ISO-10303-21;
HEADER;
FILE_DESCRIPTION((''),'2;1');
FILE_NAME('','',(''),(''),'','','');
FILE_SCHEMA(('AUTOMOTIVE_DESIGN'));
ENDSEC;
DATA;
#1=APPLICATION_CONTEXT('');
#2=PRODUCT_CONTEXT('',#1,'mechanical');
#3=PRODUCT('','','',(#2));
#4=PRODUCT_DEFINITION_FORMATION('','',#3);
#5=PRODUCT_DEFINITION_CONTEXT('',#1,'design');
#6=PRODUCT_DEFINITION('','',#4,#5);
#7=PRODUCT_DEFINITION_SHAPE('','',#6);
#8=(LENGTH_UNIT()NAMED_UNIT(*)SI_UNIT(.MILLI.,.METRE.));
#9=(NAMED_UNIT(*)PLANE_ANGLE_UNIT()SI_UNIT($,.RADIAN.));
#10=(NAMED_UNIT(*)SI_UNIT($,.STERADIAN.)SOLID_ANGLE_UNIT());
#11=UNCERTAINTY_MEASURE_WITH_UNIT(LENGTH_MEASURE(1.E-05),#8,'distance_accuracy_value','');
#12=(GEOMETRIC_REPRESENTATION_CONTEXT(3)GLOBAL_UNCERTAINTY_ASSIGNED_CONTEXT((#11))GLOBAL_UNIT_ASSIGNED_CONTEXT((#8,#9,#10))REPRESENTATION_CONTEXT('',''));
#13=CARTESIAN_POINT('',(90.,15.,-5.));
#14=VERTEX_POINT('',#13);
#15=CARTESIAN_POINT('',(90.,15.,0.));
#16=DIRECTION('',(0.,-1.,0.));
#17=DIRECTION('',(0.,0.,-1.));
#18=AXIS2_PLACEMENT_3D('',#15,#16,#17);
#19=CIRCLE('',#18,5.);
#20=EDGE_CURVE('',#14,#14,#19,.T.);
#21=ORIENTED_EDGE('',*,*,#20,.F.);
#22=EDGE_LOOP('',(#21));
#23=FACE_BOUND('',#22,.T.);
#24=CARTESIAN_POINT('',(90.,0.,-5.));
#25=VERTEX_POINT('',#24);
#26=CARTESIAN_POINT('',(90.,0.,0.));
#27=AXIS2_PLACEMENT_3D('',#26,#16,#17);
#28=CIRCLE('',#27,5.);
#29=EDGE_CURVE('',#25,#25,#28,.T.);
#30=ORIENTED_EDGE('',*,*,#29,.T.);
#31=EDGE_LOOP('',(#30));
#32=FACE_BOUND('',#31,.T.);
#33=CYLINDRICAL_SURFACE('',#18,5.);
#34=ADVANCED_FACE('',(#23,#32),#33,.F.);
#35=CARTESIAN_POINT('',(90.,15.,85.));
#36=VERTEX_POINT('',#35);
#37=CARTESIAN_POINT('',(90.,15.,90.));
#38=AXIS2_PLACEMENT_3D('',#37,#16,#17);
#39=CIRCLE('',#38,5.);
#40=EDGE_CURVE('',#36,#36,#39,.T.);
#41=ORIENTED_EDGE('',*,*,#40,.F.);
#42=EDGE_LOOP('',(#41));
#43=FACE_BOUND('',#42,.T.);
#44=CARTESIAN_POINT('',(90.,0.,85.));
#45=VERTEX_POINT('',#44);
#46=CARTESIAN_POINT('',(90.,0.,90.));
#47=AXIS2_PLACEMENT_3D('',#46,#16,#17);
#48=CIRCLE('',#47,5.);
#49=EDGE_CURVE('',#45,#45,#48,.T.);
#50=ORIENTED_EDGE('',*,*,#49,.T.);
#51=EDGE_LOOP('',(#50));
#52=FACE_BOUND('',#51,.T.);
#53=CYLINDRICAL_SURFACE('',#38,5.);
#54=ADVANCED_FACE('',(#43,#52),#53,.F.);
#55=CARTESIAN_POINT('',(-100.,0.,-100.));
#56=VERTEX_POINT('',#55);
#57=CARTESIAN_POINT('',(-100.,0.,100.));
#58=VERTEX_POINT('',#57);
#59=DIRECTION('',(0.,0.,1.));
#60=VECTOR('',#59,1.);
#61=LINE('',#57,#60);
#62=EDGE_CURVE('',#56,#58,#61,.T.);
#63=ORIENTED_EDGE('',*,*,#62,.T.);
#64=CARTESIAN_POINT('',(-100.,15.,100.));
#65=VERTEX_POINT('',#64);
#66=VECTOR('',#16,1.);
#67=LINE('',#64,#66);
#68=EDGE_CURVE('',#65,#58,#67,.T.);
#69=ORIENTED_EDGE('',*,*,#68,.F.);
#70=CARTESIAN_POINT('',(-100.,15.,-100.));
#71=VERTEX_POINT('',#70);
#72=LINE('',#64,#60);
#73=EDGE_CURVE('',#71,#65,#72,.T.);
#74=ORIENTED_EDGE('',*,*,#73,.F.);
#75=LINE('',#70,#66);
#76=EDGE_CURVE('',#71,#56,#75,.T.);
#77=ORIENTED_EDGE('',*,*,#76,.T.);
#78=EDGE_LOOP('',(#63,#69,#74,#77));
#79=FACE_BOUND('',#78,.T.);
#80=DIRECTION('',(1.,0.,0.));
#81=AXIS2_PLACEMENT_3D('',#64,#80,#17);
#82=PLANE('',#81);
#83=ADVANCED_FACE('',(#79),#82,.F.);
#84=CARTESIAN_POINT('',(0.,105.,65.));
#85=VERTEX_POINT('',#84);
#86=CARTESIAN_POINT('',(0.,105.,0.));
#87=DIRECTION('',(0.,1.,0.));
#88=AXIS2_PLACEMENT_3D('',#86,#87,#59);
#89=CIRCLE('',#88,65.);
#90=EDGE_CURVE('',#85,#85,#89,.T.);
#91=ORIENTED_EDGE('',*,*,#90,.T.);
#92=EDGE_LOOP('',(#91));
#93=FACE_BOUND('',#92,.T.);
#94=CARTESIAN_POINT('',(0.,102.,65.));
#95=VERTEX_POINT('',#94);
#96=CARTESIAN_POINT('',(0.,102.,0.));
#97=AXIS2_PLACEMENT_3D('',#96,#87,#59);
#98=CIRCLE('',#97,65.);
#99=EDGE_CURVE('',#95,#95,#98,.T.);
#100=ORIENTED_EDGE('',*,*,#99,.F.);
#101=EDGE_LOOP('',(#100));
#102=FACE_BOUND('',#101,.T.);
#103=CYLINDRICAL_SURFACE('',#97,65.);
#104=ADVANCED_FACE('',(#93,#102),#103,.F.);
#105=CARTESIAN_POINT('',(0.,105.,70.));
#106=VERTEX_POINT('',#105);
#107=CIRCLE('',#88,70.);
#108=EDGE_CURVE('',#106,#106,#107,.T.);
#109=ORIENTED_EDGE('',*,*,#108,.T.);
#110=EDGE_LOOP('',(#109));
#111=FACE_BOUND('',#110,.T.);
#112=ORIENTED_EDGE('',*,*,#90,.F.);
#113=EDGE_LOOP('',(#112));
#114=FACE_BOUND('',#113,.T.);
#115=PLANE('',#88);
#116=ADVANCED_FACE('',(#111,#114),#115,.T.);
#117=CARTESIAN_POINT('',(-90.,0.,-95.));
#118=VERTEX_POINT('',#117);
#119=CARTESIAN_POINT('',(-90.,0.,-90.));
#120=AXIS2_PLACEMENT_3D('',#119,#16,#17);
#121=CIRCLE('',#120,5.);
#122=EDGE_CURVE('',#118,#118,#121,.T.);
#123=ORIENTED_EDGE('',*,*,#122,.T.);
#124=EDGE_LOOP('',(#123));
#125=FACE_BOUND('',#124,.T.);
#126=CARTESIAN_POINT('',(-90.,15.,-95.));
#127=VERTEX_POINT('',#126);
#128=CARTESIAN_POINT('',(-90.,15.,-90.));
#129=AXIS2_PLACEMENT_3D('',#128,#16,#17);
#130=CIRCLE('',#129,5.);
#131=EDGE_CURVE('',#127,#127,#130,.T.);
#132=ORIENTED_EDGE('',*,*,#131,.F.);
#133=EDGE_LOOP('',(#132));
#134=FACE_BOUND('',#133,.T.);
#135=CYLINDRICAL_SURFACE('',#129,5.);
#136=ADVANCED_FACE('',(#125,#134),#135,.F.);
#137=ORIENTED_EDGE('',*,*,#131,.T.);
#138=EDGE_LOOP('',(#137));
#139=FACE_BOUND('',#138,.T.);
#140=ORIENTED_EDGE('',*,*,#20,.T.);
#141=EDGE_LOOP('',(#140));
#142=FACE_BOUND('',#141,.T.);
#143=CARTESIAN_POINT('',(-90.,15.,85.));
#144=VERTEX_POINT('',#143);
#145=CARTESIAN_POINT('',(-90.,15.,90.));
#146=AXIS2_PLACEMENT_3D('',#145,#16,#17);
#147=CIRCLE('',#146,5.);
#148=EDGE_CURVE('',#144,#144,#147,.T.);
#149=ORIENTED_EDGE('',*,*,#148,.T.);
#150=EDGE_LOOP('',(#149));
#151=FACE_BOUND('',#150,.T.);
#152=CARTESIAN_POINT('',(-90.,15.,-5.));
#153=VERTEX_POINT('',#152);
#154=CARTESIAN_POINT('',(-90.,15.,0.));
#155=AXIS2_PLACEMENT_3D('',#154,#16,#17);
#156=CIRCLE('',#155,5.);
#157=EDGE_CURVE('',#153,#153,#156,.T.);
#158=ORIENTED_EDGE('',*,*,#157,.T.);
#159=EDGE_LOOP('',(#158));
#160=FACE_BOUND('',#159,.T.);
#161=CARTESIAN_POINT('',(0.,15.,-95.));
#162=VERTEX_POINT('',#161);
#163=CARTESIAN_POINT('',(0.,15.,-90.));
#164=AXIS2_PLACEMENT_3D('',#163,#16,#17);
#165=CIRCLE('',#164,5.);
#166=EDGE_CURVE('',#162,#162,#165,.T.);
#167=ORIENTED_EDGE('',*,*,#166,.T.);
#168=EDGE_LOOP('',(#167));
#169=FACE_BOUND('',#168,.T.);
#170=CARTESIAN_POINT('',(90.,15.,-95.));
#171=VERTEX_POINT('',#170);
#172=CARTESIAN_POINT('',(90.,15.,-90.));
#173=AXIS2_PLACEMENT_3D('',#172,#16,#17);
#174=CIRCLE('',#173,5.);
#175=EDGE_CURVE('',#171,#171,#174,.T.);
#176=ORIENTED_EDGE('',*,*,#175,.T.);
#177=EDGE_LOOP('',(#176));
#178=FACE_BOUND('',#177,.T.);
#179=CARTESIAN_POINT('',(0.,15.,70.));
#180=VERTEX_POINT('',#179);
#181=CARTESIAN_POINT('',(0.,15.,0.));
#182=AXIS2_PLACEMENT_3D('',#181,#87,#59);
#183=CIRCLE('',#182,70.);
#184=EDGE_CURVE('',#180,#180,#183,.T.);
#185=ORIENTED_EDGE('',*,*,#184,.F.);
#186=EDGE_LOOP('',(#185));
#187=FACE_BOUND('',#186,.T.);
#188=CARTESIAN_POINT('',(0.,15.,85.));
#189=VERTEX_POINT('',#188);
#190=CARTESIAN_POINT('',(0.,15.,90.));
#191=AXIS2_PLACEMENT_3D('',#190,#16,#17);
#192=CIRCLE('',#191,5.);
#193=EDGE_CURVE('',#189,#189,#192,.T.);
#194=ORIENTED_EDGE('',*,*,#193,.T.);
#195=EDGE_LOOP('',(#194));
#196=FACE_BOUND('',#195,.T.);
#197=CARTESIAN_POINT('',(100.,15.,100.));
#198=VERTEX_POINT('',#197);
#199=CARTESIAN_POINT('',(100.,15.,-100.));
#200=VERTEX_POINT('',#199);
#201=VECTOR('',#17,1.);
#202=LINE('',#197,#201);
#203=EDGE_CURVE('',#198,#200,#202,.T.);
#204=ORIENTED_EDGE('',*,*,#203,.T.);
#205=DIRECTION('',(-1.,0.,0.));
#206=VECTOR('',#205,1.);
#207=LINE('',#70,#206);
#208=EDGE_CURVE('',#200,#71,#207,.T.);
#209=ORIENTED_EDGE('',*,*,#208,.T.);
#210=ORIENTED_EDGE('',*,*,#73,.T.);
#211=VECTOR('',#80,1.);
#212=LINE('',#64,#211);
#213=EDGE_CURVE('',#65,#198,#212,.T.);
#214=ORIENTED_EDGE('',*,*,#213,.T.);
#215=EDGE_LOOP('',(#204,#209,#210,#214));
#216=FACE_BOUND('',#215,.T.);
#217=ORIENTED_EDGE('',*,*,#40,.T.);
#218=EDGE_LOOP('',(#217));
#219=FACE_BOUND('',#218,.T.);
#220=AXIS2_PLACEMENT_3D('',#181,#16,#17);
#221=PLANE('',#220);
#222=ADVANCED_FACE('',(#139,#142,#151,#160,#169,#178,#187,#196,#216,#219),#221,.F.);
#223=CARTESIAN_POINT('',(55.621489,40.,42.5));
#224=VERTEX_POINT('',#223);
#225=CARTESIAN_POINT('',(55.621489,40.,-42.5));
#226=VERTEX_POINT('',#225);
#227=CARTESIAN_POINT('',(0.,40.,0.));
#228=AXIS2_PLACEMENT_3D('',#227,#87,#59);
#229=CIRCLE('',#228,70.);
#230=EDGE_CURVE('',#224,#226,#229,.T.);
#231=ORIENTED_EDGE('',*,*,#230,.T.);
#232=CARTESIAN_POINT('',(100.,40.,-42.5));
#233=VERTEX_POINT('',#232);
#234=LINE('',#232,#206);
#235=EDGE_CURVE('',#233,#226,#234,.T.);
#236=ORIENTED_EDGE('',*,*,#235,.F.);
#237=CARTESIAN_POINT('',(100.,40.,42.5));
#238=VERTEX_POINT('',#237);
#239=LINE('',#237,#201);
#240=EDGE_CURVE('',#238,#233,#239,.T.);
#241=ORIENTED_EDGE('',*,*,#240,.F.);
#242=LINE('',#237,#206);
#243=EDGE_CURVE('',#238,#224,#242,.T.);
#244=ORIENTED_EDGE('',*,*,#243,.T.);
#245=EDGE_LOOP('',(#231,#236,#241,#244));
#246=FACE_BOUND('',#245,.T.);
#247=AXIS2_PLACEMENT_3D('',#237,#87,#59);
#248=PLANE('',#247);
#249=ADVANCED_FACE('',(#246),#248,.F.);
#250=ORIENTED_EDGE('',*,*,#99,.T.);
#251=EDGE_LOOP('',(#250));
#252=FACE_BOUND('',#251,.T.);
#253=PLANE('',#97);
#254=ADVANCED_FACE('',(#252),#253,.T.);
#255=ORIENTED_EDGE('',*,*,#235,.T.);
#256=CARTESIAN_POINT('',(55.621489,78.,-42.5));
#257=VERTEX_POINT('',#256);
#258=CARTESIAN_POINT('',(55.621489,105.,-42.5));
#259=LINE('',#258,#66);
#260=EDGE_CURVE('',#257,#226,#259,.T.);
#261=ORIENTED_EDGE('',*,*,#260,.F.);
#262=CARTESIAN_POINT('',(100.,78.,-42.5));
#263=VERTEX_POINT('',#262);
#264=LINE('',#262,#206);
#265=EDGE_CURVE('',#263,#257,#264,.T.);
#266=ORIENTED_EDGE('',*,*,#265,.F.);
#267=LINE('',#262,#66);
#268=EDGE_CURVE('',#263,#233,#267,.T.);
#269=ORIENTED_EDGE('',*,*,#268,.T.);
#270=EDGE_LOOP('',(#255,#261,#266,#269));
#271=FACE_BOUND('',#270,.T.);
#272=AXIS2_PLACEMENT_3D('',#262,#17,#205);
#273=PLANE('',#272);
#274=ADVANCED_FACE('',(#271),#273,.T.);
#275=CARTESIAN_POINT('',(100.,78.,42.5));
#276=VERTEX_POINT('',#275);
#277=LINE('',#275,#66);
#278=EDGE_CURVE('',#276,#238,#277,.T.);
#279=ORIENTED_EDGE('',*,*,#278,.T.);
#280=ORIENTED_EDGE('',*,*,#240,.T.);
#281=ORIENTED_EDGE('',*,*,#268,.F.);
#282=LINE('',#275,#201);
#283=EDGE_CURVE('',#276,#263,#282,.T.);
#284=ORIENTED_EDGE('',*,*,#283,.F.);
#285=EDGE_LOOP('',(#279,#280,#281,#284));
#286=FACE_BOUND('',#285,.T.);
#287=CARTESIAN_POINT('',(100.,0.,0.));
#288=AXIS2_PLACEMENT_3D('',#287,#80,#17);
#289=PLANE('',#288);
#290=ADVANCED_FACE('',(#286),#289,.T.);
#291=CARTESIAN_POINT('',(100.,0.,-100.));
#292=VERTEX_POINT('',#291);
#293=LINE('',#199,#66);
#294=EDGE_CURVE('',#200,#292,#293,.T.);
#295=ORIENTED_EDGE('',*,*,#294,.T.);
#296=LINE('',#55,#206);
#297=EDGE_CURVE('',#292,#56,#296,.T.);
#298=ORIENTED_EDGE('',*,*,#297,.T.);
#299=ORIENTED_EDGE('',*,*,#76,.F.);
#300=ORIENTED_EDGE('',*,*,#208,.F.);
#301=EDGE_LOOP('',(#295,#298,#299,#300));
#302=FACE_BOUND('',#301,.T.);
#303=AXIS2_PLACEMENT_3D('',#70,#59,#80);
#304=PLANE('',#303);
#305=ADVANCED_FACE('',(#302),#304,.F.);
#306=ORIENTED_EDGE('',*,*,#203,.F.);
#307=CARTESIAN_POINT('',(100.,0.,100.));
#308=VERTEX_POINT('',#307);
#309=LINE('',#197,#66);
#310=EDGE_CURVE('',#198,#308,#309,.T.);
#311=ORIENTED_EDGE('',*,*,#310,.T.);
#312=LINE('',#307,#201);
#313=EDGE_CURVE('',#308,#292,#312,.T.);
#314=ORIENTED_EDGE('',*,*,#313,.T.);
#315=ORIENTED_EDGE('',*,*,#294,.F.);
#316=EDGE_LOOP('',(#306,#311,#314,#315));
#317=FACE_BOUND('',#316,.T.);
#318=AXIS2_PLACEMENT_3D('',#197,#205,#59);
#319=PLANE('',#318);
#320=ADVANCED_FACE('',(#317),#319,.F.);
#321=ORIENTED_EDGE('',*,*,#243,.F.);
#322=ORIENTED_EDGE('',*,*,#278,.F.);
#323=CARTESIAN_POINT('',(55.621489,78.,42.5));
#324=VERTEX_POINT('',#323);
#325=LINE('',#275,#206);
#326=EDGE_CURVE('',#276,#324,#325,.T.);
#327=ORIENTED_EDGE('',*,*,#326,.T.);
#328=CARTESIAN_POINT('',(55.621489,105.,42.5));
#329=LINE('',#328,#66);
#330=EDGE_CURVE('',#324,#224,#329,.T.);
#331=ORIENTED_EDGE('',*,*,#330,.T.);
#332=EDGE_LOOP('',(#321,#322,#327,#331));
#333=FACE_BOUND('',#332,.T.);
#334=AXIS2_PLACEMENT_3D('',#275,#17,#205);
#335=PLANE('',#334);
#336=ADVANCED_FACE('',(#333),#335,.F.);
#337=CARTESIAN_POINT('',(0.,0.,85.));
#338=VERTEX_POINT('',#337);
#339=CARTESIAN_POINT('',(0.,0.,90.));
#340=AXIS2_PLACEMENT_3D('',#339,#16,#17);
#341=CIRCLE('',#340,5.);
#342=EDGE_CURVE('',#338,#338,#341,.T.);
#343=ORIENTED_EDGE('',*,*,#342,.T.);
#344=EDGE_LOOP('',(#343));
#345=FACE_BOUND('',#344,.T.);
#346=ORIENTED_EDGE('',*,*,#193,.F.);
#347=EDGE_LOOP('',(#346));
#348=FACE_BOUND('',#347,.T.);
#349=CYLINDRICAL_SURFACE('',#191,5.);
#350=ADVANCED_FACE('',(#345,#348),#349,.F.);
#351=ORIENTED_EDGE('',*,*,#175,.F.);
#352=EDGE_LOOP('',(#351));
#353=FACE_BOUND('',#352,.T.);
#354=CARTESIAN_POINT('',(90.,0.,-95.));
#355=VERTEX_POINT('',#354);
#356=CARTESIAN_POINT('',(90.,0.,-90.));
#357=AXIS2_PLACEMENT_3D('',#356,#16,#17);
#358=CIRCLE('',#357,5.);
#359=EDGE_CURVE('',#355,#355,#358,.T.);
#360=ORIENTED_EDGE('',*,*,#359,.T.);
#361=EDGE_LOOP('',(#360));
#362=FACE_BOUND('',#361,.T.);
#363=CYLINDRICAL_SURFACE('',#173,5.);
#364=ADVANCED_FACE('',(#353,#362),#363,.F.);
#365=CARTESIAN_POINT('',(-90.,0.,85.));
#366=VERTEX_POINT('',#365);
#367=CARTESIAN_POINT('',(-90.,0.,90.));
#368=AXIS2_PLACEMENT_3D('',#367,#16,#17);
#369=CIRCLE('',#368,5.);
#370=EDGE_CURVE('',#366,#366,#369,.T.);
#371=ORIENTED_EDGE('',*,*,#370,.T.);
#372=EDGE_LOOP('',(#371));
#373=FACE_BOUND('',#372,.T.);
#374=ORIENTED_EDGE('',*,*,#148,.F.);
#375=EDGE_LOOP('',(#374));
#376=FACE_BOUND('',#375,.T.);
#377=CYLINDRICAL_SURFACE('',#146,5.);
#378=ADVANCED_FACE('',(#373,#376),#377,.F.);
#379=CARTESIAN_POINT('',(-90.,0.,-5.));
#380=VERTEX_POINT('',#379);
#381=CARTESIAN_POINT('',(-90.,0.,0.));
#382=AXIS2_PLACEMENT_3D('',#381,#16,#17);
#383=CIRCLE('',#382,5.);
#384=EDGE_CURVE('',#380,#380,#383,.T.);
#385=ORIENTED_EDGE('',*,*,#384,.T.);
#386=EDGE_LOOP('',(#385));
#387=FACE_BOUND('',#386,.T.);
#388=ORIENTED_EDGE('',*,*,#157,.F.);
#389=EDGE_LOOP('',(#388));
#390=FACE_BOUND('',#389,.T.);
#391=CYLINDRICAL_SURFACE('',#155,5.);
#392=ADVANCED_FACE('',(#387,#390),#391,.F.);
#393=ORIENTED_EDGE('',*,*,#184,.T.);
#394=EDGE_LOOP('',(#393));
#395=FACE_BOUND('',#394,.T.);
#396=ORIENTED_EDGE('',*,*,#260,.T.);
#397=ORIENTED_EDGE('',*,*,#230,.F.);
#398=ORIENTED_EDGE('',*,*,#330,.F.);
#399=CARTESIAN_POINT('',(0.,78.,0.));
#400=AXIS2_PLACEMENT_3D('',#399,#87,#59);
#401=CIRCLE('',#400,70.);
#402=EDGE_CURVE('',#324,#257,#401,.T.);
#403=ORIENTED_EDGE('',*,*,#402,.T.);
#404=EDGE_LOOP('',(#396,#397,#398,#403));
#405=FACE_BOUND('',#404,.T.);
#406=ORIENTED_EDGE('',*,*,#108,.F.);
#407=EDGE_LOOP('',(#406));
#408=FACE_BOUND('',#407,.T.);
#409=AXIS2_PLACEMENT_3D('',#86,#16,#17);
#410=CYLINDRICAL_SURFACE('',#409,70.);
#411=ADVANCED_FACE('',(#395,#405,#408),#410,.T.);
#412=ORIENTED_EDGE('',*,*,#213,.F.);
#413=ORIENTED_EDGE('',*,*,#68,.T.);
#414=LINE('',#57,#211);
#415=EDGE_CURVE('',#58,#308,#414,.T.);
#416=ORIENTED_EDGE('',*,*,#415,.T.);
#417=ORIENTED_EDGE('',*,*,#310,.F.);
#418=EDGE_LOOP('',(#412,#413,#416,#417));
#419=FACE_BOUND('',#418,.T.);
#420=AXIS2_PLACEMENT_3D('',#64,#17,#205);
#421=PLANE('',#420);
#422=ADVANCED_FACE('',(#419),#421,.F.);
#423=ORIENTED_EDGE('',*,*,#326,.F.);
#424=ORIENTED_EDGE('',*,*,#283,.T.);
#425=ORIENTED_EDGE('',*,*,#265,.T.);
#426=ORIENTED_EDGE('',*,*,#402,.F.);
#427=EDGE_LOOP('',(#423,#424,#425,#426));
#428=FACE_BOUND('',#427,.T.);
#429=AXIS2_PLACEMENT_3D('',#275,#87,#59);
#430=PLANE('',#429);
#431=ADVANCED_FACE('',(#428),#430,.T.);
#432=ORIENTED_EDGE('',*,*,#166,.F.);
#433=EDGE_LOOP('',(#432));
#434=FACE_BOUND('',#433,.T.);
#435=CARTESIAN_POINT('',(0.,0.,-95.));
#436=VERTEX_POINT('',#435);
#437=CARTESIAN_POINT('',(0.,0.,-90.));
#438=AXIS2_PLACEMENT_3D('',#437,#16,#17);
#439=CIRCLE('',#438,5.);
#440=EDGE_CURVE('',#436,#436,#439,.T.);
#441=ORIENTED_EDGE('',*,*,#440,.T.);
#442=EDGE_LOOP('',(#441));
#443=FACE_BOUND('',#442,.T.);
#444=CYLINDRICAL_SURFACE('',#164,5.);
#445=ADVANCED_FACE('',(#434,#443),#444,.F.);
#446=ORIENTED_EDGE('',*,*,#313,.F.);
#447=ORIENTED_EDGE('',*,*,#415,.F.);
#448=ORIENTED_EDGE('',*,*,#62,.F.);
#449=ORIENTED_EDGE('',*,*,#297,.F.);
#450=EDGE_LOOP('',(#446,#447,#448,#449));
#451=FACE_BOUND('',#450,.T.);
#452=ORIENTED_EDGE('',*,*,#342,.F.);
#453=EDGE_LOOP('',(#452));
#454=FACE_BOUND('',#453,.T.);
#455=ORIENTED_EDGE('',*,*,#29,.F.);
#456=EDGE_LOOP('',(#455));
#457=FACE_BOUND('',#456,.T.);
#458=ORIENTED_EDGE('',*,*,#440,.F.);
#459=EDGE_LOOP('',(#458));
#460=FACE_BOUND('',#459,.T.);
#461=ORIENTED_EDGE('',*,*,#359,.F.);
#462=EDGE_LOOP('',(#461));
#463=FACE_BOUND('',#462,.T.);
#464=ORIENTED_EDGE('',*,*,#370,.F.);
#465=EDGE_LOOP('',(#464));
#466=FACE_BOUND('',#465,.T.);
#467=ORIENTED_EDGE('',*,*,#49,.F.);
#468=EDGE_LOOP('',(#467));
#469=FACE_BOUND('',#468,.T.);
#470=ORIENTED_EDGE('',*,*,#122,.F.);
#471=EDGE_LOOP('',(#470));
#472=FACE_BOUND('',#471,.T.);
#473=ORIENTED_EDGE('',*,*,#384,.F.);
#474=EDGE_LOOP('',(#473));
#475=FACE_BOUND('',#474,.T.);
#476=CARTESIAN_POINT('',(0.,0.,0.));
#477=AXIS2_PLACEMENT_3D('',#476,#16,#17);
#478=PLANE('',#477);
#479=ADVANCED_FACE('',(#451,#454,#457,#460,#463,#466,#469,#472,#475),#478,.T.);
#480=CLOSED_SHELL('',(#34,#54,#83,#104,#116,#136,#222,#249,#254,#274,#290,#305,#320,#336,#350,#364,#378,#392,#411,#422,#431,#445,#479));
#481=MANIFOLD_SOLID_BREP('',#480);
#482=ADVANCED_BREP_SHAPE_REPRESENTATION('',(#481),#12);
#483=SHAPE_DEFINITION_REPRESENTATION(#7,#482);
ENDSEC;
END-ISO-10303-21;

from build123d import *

# Parameters (mm, degrees)
SKETCH1_W           = 200
SKETCH1_H           = 200
BOSS_EXTRUDE1_DEPTH = 15
SKETCH2_R           = 70
BOSS_EXTRUDE2_DEPTH = 90
SKETCH4_R           = 65
CUT_EXTRUDE1_DEPTH  = 3
SKETCH5_W           = 85
SKETCH5_H           = 38
BOSS_EXTRUDE3_DEPTH = 100
SKETCH6_R           = 5
CUT_EXTRUDE2_DEPTH  = 15


with BuildPart() as part:
    # Sketch1 → Boss-Extrude1 (new body)
    with BuildSketch(Plane(origin=(0, 0, 0), x_dir=(1, 0, 0), z_dir=(0, 1, 0))):
        Rectangle(SKETCH1_W, SKETCH1_H)
    extrude(amount=BOSS_EXTRUDE1_DEPTH)

    # Sketch2 → Boss-Extrude2 (add)
    with BuildSketch(Plane(origin=(0, 15, 0), x_dir=(1, 0, 0), z_dir=(0, 1, 0))):
        Circle(SKETCH2_R)
    extrude(amount=BOSS_EXTRUDE2_DEPTH)

    # Sketch4 → Cut-Extrude1 (cut)
    with BuildSketch(Plane(origin=(0, 105, 0), x_dir=(1, 0, 0), z_dir=(0, 1, 0))):
        Circle(SKETCH4_R)
    extrude(amount=-CUT_EXTRUDE1_DEPTH, mode=Mode.SUBTRACT)

    # Sketch5 → Boss-Extrude3 (add)
    with BuildSketch(Plane(origin=(0, 0, 0), x_dir=(0, 0, -1), z_dir=(1, 0, 0))):
        with Locations((0, 59)):
            Rectangle(SKETCH5_W, SKETCH5_H)
    extrude(amount=BOSS_EXTRUDE3_DEPTH)

    # Sketch6 → Cut-Extrude2 (cut)
    with BuildSketch(Plane.XZ):
        with Locations((-90, 90)):
            Circle(SKETCH6_R)
        with Locations((0, 90)):
            Circle(SKETCH6_R)
        with Locations((90, 90)):
            Circle(SKETCH6_R)
        with Locations((90, 0)):
            Circle(SKETCH6_R)
        with Locations((90, -90)):
            Circle(SKETCH6_R)
        with Locations((-90, -90)):
            Circle(SKETCH6_R)
        with Locations((-90, 0)):
            Circle(SKETCH6_R)
        with Locations((0, -90)):
            Circle(SKETCH6_R)
    extrude(amount=-CUT_EXTRUDE2_DEPTH, mode=Mode.SUBTRACT)


solid = part.part
